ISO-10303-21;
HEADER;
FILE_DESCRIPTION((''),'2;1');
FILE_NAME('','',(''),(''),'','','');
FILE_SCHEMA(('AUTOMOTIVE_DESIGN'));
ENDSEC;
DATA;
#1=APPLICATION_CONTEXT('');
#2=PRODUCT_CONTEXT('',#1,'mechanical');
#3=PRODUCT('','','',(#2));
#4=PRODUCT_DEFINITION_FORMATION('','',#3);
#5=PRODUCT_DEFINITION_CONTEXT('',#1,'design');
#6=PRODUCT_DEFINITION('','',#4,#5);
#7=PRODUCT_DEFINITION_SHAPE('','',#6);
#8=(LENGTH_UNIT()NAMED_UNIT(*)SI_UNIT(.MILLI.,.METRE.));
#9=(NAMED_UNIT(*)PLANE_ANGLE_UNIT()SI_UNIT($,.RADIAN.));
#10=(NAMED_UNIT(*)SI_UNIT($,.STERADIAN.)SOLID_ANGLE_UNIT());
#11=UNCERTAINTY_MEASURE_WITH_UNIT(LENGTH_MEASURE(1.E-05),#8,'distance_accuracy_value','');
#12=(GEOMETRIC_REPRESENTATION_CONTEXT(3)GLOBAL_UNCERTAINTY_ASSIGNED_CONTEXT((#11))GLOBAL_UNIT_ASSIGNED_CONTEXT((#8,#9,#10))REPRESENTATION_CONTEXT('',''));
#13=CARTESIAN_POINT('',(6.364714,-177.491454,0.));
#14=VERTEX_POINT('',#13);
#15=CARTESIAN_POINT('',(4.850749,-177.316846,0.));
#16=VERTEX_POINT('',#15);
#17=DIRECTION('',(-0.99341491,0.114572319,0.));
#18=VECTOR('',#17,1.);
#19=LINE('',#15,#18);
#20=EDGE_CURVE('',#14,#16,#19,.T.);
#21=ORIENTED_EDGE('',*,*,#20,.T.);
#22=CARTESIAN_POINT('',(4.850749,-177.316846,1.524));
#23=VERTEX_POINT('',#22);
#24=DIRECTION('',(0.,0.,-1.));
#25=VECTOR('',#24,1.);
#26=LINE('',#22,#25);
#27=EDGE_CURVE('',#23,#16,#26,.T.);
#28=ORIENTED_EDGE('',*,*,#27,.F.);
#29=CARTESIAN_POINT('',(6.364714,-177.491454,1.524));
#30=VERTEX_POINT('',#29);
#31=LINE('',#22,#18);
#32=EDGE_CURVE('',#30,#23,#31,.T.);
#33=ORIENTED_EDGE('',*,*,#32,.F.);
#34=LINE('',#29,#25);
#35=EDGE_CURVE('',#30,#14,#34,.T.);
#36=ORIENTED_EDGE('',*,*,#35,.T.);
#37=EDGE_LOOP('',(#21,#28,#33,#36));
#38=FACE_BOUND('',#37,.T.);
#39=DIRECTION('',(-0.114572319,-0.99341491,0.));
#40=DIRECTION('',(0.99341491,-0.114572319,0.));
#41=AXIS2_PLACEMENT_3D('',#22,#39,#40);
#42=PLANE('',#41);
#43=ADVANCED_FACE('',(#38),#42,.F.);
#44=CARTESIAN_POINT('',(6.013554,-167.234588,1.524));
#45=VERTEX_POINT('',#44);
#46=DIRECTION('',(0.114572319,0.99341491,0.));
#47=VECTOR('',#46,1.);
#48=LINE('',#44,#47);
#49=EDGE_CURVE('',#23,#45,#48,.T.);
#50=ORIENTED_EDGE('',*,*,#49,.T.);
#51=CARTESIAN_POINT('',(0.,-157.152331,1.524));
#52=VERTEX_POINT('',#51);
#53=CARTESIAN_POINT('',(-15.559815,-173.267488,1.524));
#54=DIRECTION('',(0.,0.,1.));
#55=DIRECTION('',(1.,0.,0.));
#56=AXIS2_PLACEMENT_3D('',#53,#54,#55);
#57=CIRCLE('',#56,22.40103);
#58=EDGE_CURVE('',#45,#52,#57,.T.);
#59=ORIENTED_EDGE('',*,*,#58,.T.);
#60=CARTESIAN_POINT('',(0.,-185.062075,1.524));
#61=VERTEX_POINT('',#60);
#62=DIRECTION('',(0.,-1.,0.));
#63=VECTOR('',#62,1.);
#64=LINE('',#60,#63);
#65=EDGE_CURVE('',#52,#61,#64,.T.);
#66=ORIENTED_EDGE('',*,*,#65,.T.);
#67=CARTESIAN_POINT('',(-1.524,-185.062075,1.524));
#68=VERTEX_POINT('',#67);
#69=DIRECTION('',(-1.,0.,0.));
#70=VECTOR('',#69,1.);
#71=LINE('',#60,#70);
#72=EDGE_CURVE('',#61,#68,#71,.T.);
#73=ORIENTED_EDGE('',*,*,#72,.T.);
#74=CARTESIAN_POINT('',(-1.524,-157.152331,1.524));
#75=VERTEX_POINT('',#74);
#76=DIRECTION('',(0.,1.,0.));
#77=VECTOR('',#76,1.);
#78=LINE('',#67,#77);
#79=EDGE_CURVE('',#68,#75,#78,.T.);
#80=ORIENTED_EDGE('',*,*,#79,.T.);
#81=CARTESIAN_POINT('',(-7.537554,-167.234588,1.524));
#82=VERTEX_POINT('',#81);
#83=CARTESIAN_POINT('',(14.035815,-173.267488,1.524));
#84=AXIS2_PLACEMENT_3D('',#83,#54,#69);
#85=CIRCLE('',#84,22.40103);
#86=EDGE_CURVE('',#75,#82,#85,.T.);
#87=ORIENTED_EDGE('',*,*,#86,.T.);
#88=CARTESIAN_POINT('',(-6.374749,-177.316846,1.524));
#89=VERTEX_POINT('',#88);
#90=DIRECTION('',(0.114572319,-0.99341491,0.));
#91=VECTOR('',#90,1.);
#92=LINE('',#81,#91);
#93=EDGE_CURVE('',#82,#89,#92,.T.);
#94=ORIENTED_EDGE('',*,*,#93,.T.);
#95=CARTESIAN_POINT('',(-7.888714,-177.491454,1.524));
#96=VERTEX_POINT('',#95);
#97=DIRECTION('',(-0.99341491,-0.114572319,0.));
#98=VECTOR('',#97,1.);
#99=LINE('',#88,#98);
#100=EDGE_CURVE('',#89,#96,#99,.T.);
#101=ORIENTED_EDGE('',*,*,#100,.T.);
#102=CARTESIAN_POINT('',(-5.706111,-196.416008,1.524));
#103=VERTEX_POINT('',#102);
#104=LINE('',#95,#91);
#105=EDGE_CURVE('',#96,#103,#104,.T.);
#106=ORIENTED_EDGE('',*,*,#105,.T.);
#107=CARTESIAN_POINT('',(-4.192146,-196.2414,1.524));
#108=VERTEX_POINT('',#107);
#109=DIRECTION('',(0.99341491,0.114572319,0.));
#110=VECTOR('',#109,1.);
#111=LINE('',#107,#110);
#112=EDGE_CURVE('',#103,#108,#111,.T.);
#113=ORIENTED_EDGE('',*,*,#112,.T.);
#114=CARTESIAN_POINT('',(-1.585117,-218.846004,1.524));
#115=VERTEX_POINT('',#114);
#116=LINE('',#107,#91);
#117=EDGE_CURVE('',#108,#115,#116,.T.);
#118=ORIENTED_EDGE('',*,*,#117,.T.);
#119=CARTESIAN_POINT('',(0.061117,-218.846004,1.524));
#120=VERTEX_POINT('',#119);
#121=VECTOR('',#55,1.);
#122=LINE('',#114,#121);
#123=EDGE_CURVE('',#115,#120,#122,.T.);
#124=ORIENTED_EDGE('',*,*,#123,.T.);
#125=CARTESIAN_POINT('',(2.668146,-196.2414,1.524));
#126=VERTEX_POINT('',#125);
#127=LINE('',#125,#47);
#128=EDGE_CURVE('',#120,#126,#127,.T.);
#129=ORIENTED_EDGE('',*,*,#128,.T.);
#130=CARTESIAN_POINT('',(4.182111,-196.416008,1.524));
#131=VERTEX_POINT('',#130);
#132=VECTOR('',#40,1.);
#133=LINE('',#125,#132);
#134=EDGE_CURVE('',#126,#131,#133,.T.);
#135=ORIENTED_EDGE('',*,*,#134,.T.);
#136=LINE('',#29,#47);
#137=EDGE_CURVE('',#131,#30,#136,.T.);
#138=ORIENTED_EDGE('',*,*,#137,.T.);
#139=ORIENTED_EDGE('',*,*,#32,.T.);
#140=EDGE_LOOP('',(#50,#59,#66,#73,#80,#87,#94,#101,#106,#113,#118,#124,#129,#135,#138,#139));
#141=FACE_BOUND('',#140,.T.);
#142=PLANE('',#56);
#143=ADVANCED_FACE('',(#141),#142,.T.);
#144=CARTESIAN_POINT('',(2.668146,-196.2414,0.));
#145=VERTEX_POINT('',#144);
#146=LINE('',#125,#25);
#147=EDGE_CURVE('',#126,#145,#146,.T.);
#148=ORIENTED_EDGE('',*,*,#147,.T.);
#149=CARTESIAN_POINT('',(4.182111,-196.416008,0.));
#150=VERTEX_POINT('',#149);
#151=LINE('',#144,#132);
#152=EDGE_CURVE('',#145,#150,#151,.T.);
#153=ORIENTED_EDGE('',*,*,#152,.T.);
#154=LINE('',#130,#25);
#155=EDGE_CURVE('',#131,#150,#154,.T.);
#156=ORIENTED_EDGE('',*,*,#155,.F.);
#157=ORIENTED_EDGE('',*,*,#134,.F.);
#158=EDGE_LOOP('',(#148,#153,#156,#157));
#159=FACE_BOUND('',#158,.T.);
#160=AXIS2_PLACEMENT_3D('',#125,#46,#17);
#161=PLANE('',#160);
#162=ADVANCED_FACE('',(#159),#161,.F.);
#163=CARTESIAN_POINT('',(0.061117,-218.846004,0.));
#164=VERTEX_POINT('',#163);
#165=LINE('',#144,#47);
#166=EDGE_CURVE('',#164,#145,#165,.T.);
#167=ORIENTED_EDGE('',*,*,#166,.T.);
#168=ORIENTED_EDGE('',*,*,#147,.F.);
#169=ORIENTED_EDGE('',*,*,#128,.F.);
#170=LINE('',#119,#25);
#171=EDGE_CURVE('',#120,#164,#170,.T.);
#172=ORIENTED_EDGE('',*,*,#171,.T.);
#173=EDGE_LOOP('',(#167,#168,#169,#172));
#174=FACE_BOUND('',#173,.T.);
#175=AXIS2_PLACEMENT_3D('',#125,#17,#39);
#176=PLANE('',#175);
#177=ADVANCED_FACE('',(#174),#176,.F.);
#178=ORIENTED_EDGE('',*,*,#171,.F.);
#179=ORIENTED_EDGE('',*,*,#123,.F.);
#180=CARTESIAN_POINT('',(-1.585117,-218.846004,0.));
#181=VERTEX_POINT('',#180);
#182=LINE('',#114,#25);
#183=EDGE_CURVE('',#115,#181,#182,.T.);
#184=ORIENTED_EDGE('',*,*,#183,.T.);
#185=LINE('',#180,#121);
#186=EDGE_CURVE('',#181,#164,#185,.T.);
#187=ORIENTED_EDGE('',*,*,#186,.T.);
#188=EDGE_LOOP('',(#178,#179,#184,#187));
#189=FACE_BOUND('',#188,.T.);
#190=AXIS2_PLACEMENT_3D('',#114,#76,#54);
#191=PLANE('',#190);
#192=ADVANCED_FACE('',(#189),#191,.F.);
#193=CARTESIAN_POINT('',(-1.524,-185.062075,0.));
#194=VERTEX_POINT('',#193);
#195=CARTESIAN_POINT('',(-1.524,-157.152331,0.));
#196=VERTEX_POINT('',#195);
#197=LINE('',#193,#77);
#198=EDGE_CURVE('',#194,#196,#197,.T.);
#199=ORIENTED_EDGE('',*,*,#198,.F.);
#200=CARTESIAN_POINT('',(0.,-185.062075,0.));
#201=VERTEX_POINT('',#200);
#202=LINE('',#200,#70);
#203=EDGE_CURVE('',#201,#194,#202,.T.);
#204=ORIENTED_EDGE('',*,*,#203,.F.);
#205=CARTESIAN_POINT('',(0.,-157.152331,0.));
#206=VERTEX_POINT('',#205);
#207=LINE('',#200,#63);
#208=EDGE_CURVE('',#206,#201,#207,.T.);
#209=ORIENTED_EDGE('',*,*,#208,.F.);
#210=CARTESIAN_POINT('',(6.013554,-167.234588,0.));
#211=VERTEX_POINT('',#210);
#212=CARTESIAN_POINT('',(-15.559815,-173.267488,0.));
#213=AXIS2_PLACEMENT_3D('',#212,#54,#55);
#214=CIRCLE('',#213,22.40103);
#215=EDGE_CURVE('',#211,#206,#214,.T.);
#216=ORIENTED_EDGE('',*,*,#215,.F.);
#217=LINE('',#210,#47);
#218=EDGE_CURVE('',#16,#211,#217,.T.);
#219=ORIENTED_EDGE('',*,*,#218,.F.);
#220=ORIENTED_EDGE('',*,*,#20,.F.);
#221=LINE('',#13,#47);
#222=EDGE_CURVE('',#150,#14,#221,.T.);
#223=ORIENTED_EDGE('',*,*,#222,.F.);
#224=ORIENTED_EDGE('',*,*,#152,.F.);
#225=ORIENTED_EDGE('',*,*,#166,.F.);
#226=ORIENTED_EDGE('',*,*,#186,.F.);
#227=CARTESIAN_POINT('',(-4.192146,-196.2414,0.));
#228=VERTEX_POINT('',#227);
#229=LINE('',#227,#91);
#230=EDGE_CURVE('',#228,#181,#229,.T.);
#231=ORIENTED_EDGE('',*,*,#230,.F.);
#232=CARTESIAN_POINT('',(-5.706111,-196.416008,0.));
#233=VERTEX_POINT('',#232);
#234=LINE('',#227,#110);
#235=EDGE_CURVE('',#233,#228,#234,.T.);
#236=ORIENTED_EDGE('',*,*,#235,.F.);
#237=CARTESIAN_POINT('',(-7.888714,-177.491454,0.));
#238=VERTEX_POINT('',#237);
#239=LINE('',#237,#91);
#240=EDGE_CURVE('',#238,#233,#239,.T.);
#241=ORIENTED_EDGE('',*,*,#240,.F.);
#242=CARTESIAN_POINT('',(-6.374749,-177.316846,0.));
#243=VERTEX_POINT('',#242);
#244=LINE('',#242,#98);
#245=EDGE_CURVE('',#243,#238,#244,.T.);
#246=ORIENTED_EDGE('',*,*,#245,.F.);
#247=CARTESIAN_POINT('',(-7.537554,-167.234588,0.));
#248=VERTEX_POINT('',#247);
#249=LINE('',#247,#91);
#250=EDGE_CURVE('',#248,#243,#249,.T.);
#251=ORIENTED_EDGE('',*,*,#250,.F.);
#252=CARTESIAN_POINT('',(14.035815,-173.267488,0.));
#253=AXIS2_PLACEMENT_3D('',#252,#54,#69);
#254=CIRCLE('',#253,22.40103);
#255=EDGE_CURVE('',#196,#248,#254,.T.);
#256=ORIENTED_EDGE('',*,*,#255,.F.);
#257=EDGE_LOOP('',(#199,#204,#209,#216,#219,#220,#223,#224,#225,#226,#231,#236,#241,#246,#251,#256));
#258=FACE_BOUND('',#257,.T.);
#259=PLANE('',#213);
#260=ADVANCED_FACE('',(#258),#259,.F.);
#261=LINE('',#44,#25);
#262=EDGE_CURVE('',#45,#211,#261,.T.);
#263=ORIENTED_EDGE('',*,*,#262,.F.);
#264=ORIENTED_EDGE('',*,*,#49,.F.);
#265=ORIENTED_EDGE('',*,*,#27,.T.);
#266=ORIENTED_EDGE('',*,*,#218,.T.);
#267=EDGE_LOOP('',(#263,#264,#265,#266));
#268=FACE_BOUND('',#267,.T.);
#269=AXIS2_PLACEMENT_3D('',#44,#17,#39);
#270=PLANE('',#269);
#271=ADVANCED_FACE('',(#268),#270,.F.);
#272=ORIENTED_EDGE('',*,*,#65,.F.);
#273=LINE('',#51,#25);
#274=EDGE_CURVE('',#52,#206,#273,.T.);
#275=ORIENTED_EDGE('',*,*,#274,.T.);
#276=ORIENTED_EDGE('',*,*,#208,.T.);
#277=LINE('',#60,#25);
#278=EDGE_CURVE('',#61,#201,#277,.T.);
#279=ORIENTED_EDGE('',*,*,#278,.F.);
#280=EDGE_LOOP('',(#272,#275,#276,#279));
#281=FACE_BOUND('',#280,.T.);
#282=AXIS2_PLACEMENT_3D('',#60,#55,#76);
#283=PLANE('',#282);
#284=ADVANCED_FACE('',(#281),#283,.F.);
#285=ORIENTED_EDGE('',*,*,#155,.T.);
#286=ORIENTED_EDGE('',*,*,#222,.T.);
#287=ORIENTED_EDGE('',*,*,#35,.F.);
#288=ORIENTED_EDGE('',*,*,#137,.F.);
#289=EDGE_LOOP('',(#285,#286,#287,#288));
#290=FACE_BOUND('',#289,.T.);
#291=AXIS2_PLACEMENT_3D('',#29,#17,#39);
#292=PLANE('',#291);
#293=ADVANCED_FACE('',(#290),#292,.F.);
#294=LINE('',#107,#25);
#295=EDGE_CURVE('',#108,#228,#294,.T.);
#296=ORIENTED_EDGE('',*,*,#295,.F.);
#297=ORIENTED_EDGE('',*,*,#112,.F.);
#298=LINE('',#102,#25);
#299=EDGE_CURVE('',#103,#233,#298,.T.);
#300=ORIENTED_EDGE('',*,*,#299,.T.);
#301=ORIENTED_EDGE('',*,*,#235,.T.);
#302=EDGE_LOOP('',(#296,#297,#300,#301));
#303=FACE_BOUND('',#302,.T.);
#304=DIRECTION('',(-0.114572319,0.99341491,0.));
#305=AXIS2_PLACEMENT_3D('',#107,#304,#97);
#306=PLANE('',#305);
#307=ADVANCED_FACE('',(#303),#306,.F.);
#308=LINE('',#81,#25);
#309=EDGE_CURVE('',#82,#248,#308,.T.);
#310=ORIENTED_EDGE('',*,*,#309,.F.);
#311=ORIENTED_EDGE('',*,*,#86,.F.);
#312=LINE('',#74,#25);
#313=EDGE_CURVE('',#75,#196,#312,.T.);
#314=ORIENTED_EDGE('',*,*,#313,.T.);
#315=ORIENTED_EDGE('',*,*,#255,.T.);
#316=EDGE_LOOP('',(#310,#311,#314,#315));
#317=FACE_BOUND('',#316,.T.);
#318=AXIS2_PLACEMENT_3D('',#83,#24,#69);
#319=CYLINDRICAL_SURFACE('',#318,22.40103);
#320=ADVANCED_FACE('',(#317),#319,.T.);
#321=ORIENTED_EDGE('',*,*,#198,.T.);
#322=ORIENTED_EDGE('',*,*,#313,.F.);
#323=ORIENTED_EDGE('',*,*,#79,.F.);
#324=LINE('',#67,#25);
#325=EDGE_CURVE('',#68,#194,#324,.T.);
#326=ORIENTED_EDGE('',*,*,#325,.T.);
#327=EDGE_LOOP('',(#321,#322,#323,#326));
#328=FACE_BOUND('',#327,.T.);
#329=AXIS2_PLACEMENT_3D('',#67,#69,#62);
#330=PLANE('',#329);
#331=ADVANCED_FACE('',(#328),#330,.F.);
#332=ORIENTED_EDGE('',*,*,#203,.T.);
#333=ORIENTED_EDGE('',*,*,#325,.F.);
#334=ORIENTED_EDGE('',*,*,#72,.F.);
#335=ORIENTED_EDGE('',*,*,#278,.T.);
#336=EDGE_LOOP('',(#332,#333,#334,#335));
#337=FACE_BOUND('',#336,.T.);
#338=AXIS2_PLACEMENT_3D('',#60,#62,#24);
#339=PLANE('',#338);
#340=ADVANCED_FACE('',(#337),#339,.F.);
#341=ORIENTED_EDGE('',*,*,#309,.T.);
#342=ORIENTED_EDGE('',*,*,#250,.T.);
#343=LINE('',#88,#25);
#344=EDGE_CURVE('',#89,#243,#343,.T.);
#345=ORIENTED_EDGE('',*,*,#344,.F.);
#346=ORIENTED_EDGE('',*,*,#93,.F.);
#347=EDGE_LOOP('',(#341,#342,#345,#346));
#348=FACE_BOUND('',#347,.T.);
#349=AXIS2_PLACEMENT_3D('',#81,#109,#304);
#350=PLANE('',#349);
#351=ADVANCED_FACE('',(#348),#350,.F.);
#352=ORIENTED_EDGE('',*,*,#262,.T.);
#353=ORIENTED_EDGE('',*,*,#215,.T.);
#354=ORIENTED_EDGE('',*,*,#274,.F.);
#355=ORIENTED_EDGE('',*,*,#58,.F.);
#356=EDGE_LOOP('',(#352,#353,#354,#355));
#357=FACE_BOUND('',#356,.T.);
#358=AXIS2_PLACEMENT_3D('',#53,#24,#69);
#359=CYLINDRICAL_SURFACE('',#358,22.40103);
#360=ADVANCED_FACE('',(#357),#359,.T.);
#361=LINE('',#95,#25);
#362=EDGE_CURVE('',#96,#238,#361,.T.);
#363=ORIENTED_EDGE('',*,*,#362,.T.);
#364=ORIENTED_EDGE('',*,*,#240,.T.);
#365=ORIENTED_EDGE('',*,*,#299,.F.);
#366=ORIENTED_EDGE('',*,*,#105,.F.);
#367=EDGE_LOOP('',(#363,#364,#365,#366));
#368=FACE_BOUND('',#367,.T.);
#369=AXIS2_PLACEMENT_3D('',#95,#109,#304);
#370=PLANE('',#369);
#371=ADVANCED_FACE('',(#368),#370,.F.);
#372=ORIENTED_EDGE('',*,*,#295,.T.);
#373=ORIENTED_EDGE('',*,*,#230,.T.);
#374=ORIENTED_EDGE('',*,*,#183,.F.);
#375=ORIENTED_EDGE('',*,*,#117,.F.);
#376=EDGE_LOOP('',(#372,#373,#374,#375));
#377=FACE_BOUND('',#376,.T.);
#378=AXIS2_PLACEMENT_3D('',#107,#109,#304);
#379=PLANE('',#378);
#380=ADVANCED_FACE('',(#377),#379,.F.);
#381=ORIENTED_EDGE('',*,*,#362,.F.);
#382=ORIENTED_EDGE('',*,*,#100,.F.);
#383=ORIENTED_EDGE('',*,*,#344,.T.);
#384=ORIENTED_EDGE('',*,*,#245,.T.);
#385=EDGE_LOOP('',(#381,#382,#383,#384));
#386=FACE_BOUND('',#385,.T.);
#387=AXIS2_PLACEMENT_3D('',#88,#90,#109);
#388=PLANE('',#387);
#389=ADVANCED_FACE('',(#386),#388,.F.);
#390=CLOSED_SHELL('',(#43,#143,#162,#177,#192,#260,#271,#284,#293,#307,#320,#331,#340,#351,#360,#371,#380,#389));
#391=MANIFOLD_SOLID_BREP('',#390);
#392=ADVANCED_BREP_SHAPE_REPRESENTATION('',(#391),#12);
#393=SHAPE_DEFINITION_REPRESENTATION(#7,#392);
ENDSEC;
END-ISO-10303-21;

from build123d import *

# Parameters (mm, degrees)
BOSS_EXTRUDE1_DEPTH = 1.524


with BuildPart() as part:
    # Sketch1 → Boss-Extrude1 (new body)
    with BuildSketch(Plane.XY):
        with BuildLine():
            Line((0, -185.062075144), (-1.524, -185.062075144))
            Line((-1.524, -185.062075144), (-1.524, -157.15233073))
            ThreePointArc((-1.524, -157.15233073), (-5.202982181, -161.792523258), (-7.537553978, -167.234588225))
            Line((-7.537553978, -167.234588225), (-6.374749179, -177.316845721))
            Line((-6.374749179, -177.316845721), (-7.888713502, -177.491453935))
            Line((-7.888713502, -177.491453935), (-5.70611082, -196.416007973))
            Line((-5.70611082, -196.416007973), (-4.192146497, -196.241399759))
            Line((-4.192146497, -196.241399759), (-1.585117021, -218.846004156))
            Line((-1.585117021, -218.846004156), (0.061117021, -218.846004156))
            Line((0.061117021, -218.846004156), (2.668146497, -196.241399759))
            Line((2.668146497, -196.241399759), (4.18211082, -196.416007973))
            Line((4.18211082, -196.416007973), (6.364713502, -177.491453935))
            Line((6.364713502, -177.491453935), (4.850749179, -177.316845721))
            Line((4.850749179, -177.316845721), (6.013553978, -167.234588225))
            ThreePointArc((6.013553978, -167.234588225), (3.678982181, -161.792523258), (0, -157.15233073))
            Line((0, -157.15233073), (0, -185.062075144))
        make_face()
    extrude(amount=BOSS_EXTRUDE1_DEPTH)


solid = part.part
